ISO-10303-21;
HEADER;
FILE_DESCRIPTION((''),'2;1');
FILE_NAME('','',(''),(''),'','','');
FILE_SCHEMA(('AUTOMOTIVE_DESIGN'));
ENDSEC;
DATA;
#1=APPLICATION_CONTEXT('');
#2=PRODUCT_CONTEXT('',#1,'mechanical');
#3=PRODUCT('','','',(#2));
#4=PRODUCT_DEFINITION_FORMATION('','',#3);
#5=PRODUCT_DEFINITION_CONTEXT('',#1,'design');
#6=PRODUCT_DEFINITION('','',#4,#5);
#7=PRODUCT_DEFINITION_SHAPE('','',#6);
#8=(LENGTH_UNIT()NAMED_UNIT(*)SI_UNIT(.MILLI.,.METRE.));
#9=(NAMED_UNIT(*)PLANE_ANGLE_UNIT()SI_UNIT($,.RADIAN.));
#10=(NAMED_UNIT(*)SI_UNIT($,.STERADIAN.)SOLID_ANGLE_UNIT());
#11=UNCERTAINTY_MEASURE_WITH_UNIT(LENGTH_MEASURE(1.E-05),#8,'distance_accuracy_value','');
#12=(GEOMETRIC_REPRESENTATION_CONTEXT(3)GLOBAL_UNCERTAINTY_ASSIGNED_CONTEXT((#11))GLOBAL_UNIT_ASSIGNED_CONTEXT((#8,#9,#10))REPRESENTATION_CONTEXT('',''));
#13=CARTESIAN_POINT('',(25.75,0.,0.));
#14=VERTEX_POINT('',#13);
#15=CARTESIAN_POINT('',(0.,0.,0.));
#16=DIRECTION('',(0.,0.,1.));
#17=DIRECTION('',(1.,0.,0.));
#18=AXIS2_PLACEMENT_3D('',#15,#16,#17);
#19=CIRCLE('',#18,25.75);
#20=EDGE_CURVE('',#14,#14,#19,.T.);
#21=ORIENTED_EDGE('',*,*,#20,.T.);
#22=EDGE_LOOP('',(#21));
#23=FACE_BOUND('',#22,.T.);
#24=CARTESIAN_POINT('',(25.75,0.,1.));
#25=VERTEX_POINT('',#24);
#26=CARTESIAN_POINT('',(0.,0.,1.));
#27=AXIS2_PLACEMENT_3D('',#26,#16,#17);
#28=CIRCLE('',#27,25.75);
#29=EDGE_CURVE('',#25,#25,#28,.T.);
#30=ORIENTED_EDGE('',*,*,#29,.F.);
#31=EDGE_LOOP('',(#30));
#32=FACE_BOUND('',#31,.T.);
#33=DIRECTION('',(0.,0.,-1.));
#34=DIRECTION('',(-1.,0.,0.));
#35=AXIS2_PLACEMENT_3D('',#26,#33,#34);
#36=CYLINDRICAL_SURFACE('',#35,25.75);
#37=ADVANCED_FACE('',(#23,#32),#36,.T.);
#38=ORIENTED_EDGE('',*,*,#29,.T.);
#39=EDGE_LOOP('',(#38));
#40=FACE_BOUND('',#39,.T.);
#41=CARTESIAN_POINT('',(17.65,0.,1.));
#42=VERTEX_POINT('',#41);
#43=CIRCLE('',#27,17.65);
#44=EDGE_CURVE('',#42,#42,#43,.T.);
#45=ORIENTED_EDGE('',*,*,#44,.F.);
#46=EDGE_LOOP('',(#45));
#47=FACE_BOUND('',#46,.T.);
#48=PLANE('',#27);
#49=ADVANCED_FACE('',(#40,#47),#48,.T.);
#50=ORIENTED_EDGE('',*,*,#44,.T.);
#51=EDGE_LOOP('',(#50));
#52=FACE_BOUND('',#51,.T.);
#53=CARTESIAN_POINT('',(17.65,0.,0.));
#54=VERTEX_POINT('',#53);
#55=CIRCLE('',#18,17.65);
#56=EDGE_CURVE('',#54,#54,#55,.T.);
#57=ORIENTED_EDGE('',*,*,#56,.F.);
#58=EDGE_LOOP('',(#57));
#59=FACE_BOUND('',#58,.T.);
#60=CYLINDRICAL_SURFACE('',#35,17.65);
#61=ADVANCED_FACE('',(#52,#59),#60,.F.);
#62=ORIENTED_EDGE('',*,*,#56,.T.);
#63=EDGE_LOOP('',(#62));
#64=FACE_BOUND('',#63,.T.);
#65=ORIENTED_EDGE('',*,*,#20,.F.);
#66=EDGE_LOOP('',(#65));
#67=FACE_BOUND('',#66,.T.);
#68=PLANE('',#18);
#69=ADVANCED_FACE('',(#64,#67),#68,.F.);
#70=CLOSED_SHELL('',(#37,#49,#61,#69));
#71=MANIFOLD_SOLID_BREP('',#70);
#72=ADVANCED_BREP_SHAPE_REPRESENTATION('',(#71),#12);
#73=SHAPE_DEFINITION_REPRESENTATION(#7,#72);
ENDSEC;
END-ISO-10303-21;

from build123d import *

# Parameters (mm, degrees)
SKIZZE1_R                       = 25.75
SKIZZE1_R_2                     = 17.65
AUFSATZ_LINEAR_AUSTRAGEN1_DEPTH = 1


with BuildPart() as part:
    # Skizze1 → Aufsatz-Linear austragen1 (new body)
    with BuildSketch(Plane.XY):
        Circle(SKIZZE1_R)
        Circle(SKIZZE1_R_2, mode=Mode.SUBTRACT)
    extrude(amount=AUFSATZ_LINEAR_AUSTRAGEN1_DEPTH)


solid = part.part
